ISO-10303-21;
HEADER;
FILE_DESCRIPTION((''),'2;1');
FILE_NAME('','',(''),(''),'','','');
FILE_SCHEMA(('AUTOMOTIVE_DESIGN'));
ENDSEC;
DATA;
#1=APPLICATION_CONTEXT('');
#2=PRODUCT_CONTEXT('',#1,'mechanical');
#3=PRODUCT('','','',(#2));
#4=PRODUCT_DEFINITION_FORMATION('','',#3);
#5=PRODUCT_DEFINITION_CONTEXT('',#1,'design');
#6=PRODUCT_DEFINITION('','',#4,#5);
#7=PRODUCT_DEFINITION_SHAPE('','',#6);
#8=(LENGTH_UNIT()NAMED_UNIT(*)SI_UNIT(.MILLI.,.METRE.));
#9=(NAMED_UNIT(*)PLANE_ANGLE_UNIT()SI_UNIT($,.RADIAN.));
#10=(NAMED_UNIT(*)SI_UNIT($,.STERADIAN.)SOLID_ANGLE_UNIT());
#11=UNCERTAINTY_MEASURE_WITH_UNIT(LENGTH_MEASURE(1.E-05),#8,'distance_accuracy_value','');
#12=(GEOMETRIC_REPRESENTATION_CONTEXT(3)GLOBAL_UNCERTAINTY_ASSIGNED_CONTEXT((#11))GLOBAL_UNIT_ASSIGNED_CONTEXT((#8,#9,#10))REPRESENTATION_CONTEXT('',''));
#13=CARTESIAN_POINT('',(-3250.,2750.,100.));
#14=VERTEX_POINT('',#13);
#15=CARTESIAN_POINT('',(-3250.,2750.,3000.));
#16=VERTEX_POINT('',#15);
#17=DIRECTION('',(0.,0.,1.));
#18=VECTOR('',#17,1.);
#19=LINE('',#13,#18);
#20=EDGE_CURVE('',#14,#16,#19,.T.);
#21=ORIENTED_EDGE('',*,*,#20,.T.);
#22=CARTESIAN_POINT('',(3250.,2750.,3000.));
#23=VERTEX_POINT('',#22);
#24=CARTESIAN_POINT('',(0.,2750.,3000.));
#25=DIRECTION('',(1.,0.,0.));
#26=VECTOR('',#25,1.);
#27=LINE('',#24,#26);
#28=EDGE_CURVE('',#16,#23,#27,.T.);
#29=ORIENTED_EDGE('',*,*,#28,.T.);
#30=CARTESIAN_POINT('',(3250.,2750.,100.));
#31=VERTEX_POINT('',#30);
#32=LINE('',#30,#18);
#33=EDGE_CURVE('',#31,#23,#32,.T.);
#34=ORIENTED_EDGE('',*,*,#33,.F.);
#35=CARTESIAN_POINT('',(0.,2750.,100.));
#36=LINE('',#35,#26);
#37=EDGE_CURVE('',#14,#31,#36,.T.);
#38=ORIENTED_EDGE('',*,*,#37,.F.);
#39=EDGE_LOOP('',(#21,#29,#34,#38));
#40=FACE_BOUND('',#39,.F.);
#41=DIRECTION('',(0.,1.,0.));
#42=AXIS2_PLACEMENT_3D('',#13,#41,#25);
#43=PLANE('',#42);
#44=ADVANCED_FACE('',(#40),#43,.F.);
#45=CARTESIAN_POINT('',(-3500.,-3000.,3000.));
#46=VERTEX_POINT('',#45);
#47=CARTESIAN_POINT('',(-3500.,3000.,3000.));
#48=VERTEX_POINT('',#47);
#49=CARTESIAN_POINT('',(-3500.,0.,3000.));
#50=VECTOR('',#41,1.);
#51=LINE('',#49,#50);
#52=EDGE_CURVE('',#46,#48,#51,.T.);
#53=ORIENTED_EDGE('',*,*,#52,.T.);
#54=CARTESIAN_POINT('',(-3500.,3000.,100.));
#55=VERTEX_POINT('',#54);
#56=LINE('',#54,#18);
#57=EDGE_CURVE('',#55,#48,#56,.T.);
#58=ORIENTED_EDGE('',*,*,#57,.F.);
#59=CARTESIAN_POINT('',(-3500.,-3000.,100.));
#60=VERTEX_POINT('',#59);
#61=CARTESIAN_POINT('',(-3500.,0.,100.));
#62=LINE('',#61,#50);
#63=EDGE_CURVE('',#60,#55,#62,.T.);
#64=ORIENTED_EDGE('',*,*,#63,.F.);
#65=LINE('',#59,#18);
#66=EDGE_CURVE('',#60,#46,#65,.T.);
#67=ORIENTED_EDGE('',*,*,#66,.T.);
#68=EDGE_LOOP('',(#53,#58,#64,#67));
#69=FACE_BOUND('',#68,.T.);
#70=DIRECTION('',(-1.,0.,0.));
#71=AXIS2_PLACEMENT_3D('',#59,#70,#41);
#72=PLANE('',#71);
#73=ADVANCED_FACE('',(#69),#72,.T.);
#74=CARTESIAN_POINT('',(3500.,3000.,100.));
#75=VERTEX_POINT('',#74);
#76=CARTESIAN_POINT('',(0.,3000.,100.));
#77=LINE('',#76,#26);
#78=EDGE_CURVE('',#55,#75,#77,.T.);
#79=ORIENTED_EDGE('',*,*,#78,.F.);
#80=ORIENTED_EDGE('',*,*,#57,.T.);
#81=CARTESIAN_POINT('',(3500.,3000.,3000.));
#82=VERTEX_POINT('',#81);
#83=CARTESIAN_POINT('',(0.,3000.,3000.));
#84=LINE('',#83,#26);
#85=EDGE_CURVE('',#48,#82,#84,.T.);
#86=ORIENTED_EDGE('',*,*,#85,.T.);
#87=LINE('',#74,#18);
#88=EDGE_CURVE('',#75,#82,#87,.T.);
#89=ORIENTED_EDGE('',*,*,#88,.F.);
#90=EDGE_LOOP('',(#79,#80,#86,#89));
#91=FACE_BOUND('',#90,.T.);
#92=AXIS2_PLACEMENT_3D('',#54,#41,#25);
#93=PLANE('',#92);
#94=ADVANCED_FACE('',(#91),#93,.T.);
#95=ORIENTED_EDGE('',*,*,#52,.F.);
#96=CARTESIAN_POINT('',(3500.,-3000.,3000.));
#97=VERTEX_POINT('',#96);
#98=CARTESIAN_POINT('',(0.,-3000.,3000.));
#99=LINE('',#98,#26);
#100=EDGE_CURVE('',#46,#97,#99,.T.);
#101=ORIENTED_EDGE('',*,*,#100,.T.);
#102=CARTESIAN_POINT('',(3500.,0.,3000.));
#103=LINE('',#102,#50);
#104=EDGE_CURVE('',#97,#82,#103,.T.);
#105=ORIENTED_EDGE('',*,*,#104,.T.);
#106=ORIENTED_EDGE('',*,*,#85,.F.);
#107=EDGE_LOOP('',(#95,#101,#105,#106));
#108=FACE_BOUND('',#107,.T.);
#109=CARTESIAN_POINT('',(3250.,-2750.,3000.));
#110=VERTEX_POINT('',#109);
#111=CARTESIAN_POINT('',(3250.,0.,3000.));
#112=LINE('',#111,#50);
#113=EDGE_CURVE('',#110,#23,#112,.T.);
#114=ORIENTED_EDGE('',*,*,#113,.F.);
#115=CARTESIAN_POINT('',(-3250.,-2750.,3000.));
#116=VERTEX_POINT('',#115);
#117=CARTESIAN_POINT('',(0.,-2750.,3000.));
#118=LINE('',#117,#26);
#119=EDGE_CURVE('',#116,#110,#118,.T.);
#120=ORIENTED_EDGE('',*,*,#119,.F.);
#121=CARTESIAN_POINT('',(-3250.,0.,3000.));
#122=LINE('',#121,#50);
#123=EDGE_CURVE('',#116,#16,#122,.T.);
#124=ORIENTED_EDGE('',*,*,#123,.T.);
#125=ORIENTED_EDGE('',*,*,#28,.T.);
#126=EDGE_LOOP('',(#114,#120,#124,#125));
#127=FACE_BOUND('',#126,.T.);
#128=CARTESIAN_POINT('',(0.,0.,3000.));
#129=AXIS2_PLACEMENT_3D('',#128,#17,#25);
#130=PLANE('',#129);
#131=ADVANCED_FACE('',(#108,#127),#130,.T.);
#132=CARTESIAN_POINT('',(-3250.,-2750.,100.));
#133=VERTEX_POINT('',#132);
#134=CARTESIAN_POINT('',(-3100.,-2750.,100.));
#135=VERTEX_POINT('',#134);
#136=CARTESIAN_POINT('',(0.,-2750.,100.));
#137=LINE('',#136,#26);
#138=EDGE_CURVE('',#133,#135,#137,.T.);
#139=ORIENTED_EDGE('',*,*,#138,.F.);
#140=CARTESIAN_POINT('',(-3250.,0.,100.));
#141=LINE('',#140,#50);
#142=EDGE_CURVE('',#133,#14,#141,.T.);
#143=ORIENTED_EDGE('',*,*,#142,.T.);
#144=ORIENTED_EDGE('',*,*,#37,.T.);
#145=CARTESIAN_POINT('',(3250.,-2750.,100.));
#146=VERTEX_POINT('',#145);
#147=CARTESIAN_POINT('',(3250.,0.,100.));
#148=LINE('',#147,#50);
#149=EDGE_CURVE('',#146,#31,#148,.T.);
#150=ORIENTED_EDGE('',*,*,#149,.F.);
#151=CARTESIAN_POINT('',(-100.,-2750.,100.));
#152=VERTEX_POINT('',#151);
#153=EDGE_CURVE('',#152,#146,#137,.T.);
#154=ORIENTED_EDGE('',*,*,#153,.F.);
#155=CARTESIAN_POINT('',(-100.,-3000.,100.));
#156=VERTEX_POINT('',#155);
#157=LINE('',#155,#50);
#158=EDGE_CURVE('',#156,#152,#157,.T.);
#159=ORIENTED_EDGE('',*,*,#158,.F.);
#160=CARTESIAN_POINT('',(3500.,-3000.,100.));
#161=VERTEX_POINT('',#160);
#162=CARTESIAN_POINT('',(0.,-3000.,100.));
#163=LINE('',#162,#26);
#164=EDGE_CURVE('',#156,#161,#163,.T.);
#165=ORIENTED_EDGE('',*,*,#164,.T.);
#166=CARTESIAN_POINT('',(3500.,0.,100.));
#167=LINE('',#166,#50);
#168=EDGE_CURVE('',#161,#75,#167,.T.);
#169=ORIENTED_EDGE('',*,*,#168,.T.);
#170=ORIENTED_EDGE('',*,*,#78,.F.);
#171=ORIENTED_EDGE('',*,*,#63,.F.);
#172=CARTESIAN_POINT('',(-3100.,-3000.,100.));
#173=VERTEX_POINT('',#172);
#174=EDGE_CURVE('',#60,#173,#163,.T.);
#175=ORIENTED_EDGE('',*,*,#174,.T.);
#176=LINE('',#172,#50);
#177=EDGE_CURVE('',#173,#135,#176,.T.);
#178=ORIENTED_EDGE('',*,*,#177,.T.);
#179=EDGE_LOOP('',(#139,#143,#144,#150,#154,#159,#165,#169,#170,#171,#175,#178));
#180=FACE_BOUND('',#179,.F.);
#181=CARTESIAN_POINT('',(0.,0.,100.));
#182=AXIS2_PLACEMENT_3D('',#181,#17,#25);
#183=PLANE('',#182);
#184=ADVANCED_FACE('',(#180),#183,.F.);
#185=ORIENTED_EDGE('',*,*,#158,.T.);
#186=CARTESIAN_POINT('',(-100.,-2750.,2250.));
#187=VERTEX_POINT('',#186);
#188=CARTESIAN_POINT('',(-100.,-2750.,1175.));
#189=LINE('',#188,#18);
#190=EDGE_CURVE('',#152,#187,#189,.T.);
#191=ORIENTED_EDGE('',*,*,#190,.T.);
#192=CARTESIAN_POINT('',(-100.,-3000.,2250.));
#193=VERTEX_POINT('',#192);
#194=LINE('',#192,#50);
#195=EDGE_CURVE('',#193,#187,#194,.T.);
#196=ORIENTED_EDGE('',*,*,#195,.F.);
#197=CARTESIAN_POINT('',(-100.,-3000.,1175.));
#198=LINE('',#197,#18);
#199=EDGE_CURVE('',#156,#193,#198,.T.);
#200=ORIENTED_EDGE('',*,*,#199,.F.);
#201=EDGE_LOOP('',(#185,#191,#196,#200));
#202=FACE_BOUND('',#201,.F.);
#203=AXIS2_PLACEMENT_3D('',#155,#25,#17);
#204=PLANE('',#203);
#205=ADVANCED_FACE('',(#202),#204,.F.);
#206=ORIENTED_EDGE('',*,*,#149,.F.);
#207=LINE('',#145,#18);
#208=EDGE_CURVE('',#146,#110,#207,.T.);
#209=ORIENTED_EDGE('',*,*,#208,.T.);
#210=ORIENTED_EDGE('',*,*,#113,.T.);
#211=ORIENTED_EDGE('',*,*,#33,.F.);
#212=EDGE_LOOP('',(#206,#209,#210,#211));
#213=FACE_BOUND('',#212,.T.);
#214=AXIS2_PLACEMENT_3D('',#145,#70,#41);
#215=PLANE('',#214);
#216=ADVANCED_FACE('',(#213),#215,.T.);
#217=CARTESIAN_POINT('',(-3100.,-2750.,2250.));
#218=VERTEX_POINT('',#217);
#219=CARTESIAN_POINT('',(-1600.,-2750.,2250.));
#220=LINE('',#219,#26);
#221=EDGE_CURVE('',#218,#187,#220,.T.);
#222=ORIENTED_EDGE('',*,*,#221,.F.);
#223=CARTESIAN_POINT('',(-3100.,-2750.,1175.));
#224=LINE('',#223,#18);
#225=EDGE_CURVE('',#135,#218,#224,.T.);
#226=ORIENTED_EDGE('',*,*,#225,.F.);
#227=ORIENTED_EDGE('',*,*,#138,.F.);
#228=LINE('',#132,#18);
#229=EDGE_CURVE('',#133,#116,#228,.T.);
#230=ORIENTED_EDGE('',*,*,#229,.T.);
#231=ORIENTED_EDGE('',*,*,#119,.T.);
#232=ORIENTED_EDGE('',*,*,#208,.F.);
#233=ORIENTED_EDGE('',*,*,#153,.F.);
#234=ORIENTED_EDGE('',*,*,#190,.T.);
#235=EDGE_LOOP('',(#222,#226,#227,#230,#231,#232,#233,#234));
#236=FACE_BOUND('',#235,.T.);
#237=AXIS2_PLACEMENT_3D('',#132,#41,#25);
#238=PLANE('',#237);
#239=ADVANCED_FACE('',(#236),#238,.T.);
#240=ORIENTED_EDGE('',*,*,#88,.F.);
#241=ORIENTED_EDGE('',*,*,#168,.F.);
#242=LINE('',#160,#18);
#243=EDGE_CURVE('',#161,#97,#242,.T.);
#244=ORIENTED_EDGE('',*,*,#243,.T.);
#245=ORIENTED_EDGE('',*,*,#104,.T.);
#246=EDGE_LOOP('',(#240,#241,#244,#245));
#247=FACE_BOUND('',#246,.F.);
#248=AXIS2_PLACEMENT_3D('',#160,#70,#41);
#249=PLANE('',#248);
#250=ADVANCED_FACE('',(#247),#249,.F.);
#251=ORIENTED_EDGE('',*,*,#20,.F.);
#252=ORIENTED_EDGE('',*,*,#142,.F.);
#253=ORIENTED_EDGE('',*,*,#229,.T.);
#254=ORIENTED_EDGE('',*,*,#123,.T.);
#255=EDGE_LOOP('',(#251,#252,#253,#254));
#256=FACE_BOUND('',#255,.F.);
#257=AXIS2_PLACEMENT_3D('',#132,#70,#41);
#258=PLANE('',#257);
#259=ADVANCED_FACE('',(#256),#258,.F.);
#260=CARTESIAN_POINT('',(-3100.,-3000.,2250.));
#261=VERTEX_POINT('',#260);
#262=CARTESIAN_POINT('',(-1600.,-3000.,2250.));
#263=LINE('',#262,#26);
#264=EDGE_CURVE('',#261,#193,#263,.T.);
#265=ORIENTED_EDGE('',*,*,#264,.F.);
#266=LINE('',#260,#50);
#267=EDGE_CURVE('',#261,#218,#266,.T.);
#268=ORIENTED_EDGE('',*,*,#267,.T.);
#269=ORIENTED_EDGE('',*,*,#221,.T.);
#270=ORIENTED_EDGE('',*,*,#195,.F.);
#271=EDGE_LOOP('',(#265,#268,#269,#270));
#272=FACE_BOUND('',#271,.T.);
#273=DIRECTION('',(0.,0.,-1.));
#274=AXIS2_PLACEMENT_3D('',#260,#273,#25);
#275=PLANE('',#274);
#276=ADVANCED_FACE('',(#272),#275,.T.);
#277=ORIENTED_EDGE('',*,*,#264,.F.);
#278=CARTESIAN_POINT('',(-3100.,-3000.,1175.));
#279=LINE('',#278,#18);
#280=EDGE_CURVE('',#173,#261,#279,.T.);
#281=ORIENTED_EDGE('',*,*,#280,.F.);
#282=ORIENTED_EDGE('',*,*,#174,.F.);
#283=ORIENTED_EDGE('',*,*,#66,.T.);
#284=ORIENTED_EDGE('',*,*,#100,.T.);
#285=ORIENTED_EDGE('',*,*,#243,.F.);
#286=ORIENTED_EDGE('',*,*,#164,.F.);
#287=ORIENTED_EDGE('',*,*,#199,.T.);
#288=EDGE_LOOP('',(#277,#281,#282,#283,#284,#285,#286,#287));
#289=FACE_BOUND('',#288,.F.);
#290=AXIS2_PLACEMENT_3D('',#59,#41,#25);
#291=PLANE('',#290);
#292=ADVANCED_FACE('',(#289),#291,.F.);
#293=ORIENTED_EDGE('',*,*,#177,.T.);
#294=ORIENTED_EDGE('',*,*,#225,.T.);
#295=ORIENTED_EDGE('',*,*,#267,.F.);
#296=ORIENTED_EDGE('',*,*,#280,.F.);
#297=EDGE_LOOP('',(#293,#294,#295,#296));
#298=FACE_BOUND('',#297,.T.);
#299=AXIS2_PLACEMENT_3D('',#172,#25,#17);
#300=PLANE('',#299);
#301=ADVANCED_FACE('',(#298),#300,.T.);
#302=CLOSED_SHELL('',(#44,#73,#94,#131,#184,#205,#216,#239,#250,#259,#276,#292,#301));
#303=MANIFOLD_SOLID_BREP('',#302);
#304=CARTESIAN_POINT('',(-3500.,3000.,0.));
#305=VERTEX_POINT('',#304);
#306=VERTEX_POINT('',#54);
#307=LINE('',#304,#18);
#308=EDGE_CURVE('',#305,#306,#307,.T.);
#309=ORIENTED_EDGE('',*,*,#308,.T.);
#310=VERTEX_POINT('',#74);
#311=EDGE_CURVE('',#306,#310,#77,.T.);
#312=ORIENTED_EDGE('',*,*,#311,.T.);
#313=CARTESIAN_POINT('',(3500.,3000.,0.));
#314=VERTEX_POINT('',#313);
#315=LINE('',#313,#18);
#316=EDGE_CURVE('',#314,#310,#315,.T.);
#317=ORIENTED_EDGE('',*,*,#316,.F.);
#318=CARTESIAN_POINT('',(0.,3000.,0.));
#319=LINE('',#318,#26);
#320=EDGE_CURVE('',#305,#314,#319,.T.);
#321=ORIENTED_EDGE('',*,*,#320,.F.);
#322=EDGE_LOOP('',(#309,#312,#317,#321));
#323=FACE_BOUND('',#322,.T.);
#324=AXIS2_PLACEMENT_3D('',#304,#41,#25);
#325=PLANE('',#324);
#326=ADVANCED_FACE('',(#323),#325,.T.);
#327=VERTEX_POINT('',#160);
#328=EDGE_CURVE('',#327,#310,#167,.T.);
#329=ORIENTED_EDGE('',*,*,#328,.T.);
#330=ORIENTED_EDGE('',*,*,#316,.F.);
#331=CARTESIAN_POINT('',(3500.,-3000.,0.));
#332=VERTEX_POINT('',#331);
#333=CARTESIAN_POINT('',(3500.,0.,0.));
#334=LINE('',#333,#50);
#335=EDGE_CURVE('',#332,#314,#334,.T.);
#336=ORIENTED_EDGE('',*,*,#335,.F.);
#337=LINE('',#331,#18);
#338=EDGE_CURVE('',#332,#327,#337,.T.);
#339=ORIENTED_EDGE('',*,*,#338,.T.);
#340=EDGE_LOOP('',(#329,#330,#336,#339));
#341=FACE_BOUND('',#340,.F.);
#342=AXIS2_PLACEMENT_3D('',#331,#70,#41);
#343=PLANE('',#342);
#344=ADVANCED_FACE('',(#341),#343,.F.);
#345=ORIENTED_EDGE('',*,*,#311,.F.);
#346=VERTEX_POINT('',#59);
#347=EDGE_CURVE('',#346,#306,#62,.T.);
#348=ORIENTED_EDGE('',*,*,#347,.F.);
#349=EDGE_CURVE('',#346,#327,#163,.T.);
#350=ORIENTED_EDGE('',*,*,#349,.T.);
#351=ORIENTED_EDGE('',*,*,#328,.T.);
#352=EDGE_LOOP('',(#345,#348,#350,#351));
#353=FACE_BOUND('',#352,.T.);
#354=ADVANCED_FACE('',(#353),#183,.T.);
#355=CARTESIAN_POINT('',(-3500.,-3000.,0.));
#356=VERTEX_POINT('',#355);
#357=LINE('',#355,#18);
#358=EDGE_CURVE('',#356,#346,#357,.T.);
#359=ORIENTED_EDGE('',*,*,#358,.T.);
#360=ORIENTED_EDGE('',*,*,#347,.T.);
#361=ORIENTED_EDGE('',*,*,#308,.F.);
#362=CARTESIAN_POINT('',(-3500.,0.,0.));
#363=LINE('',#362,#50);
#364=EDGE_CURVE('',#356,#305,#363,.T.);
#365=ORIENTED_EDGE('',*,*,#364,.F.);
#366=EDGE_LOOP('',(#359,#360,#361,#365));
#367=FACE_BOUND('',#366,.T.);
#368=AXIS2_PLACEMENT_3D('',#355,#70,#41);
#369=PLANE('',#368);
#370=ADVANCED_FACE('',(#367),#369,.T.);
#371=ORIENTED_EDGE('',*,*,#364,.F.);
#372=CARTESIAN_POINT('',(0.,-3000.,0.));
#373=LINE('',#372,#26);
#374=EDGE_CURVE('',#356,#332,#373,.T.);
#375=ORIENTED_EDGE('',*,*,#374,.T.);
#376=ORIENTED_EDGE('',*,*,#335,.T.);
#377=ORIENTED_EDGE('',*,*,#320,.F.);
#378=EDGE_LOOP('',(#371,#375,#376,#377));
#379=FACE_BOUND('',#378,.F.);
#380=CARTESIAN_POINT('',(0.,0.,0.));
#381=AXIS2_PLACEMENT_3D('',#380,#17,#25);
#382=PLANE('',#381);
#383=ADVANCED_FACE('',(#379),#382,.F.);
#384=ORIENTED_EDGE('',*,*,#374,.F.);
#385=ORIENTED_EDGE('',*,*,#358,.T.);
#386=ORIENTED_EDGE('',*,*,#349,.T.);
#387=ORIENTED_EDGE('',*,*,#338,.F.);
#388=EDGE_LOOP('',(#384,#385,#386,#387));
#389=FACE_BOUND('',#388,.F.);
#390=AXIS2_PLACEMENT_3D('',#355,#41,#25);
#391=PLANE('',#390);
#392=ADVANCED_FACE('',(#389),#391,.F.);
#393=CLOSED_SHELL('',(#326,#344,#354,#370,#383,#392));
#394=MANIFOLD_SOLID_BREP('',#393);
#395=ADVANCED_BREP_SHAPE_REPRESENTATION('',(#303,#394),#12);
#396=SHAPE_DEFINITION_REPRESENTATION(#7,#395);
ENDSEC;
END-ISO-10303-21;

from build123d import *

# Parameters (mm, degrees)
F0_W     = 7000
F0_H     = 6000
F1_DEPTH = 100
F2_W     = 7000
F2_H     = 6000
F2_W_2   = 6500
F2_H_2   = 5500
F3_DEPTH = 2900
F4_W     = 3000
F4_H     = 2150
F5_DEPTH = 250


with BuildPart() as f1:
    # F0 (on Top) → F1 (new body)
    with BuildSketch(Plane.XY):
        Rectangle(F0_W, F0_H)
    extrude(amount=F1_DEPTH)


with BuildPart() as f3:
    # F2 (on face) → F3 (new body)
    with BuildSketch(Plane.XY.offset(100)):
        Rectangle(F2_W, F2_H)
        Rectangle(F2_W_2, F2_H_2, mode=Mode.SUBTRACT)
    extrude(amount=F3_DEPTH)

    # F4 (on face) → F5 (cut, through all)
    with BuildSketch(Plane.XZ.offset(3000)):
        with Locations((-1600, 1175)):
            Rectangle(F4_W, F4_H)
    extrude(amount=-F5_DEPTH, mode=Mode.SUBTRACT)


solid = Compound([f1.part, f3.part])
